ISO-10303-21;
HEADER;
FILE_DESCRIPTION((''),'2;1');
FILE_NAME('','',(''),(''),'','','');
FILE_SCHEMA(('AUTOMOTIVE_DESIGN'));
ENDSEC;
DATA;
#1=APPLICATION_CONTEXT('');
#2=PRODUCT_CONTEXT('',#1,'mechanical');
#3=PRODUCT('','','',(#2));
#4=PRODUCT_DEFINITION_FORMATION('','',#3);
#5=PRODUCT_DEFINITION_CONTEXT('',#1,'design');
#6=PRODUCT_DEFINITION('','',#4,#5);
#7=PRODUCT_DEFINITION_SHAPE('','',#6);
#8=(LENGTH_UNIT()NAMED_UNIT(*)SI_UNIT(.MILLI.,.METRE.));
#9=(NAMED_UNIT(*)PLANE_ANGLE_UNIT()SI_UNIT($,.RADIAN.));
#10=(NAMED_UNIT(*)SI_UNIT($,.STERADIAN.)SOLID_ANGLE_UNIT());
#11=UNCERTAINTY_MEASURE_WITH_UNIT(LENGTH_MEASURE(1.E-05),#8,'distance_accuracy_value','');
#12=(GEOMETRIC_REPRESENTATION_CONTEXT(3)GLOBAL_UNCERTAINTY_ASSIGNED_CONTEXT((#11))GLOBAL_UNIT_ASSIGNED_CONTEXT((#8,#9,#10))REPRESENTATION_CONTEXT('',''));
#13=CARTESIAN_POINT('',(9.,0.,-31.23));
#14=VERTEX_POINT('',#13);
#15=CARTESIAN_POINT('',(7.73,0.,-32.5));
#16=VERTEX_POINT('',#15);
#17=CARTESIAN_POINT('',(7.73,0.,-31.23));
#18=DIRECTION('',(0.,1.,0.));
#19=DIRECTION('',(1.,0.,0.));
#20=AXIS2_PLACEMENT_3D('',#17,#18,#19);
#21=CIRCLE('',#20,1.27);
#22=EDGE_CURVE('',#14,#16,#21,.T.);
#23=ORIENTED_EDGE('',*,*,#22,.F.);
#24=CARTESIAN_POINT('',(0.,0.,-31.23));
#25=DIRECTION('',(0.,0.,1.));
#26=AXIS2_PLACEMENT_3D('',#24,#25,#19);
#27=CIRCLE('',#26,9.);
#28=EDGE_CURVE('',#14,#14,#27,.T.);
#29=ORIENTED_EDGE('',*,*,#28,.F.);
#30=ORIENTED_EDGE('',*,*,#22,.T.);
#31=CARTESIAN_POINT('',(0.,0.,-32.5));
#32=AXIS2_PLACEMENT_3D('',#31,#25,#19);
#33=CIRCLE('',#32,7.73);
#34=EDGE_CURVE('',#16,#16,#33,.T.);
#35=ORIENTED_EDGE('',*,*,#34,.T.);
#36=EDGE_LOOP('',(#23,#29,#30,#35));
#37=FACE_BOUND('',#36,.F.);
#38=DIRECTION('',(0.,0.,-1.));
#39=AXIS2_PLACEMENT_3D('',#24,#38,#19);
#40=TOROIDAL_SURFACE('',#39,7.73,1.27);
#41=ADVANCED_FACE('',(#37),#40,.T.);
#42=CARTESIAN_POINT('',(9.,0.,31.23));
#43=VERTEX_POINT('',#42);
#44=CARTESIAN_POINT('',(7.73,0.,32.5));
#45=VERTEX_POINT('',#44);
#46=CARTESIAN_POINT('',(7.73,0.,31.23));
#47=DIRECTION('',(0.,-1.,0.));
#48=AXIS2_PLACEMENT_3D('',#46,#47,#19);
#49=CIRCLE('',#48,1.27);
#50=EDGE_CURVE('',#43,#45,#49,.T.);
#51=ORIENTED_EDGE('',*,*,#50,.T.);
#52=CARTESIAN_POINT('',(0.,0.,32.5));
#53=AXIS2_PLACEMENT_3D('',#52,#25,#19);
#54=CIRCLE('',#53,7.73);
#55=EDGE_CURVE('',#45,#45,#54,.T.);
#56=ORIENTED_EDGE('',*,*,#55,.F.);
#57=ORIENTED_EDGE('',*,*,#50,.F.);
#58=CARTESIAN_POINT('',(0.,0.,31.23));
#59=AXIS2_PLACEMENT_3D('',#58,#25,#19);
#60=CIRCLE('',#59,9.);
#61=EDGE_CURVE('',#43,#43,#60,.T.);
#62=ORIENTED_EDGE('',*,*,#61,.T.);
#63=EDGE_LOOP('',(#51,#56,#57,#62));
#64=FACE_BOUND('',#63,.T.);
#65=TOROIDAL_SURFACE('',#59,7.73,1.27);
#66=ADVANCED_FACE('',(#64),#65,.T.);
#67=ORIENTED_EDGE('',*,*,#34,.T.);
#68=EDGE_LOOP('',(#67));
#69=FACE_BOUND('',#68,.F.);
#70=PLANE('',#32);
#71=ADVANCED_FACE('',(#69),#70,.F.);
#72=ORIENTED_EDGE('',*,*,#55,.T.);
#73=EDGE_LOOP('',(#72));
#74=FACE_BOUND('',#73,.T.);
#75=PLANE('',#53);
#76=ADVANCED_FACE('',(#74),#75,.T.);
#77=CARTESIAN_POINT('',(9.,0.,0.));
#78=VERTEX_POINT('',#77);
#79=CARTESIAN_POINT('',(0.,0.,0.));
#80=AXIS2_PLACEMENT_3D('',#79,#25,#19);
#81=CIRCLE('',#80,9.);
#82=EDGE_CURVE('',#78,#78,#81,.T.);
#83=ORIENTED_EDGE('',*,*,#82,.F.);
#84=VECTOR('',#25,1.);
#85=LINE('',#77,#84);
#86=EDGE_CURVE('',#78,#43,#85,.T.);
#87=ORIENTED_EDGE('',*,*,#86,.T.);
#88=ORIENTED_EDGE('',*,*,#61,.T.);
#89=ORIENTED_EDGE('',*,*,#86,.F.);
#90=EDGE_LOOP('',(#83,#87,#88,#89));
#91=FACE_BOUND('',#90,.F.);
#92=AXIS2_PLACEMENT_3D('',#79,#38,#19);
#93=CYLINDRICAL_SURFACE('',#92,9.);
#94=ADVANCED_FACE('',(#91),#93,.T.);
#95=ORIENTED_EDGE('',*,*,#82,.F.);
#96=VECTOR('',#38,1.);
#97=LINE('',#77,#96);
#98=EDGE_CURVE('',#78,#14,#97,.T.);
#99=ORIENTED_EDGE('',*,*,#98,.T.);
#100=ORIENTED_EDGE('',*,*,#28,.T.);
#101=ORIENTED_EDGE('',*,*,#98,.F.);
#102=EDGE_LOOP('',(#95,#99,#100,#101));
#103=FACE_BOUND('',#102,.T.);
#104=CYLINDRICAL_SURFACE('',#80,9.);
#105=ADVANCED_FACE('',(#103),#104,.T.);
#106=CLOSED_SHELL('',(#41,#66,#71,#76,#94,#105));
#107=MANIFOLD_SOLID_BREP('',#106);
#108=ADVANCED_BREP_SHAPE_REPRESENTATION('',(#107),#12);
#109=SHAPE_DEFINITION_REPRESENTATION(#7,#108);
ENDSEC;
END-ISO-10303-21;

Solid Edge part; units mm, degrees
sketch "Sketch1" plane through (0, 0, 0) normal (0, 0, 1) x (1, 0, 0)
  circle A0 centre (0, 0) radius 9
extrude "Protrusion1" add sketch "Sketch1" along normal mid plane 65
fillet "Round_1" radius 1.27 2 edges at (-9, 0, 32.5) (-9, 0, -32.5)
